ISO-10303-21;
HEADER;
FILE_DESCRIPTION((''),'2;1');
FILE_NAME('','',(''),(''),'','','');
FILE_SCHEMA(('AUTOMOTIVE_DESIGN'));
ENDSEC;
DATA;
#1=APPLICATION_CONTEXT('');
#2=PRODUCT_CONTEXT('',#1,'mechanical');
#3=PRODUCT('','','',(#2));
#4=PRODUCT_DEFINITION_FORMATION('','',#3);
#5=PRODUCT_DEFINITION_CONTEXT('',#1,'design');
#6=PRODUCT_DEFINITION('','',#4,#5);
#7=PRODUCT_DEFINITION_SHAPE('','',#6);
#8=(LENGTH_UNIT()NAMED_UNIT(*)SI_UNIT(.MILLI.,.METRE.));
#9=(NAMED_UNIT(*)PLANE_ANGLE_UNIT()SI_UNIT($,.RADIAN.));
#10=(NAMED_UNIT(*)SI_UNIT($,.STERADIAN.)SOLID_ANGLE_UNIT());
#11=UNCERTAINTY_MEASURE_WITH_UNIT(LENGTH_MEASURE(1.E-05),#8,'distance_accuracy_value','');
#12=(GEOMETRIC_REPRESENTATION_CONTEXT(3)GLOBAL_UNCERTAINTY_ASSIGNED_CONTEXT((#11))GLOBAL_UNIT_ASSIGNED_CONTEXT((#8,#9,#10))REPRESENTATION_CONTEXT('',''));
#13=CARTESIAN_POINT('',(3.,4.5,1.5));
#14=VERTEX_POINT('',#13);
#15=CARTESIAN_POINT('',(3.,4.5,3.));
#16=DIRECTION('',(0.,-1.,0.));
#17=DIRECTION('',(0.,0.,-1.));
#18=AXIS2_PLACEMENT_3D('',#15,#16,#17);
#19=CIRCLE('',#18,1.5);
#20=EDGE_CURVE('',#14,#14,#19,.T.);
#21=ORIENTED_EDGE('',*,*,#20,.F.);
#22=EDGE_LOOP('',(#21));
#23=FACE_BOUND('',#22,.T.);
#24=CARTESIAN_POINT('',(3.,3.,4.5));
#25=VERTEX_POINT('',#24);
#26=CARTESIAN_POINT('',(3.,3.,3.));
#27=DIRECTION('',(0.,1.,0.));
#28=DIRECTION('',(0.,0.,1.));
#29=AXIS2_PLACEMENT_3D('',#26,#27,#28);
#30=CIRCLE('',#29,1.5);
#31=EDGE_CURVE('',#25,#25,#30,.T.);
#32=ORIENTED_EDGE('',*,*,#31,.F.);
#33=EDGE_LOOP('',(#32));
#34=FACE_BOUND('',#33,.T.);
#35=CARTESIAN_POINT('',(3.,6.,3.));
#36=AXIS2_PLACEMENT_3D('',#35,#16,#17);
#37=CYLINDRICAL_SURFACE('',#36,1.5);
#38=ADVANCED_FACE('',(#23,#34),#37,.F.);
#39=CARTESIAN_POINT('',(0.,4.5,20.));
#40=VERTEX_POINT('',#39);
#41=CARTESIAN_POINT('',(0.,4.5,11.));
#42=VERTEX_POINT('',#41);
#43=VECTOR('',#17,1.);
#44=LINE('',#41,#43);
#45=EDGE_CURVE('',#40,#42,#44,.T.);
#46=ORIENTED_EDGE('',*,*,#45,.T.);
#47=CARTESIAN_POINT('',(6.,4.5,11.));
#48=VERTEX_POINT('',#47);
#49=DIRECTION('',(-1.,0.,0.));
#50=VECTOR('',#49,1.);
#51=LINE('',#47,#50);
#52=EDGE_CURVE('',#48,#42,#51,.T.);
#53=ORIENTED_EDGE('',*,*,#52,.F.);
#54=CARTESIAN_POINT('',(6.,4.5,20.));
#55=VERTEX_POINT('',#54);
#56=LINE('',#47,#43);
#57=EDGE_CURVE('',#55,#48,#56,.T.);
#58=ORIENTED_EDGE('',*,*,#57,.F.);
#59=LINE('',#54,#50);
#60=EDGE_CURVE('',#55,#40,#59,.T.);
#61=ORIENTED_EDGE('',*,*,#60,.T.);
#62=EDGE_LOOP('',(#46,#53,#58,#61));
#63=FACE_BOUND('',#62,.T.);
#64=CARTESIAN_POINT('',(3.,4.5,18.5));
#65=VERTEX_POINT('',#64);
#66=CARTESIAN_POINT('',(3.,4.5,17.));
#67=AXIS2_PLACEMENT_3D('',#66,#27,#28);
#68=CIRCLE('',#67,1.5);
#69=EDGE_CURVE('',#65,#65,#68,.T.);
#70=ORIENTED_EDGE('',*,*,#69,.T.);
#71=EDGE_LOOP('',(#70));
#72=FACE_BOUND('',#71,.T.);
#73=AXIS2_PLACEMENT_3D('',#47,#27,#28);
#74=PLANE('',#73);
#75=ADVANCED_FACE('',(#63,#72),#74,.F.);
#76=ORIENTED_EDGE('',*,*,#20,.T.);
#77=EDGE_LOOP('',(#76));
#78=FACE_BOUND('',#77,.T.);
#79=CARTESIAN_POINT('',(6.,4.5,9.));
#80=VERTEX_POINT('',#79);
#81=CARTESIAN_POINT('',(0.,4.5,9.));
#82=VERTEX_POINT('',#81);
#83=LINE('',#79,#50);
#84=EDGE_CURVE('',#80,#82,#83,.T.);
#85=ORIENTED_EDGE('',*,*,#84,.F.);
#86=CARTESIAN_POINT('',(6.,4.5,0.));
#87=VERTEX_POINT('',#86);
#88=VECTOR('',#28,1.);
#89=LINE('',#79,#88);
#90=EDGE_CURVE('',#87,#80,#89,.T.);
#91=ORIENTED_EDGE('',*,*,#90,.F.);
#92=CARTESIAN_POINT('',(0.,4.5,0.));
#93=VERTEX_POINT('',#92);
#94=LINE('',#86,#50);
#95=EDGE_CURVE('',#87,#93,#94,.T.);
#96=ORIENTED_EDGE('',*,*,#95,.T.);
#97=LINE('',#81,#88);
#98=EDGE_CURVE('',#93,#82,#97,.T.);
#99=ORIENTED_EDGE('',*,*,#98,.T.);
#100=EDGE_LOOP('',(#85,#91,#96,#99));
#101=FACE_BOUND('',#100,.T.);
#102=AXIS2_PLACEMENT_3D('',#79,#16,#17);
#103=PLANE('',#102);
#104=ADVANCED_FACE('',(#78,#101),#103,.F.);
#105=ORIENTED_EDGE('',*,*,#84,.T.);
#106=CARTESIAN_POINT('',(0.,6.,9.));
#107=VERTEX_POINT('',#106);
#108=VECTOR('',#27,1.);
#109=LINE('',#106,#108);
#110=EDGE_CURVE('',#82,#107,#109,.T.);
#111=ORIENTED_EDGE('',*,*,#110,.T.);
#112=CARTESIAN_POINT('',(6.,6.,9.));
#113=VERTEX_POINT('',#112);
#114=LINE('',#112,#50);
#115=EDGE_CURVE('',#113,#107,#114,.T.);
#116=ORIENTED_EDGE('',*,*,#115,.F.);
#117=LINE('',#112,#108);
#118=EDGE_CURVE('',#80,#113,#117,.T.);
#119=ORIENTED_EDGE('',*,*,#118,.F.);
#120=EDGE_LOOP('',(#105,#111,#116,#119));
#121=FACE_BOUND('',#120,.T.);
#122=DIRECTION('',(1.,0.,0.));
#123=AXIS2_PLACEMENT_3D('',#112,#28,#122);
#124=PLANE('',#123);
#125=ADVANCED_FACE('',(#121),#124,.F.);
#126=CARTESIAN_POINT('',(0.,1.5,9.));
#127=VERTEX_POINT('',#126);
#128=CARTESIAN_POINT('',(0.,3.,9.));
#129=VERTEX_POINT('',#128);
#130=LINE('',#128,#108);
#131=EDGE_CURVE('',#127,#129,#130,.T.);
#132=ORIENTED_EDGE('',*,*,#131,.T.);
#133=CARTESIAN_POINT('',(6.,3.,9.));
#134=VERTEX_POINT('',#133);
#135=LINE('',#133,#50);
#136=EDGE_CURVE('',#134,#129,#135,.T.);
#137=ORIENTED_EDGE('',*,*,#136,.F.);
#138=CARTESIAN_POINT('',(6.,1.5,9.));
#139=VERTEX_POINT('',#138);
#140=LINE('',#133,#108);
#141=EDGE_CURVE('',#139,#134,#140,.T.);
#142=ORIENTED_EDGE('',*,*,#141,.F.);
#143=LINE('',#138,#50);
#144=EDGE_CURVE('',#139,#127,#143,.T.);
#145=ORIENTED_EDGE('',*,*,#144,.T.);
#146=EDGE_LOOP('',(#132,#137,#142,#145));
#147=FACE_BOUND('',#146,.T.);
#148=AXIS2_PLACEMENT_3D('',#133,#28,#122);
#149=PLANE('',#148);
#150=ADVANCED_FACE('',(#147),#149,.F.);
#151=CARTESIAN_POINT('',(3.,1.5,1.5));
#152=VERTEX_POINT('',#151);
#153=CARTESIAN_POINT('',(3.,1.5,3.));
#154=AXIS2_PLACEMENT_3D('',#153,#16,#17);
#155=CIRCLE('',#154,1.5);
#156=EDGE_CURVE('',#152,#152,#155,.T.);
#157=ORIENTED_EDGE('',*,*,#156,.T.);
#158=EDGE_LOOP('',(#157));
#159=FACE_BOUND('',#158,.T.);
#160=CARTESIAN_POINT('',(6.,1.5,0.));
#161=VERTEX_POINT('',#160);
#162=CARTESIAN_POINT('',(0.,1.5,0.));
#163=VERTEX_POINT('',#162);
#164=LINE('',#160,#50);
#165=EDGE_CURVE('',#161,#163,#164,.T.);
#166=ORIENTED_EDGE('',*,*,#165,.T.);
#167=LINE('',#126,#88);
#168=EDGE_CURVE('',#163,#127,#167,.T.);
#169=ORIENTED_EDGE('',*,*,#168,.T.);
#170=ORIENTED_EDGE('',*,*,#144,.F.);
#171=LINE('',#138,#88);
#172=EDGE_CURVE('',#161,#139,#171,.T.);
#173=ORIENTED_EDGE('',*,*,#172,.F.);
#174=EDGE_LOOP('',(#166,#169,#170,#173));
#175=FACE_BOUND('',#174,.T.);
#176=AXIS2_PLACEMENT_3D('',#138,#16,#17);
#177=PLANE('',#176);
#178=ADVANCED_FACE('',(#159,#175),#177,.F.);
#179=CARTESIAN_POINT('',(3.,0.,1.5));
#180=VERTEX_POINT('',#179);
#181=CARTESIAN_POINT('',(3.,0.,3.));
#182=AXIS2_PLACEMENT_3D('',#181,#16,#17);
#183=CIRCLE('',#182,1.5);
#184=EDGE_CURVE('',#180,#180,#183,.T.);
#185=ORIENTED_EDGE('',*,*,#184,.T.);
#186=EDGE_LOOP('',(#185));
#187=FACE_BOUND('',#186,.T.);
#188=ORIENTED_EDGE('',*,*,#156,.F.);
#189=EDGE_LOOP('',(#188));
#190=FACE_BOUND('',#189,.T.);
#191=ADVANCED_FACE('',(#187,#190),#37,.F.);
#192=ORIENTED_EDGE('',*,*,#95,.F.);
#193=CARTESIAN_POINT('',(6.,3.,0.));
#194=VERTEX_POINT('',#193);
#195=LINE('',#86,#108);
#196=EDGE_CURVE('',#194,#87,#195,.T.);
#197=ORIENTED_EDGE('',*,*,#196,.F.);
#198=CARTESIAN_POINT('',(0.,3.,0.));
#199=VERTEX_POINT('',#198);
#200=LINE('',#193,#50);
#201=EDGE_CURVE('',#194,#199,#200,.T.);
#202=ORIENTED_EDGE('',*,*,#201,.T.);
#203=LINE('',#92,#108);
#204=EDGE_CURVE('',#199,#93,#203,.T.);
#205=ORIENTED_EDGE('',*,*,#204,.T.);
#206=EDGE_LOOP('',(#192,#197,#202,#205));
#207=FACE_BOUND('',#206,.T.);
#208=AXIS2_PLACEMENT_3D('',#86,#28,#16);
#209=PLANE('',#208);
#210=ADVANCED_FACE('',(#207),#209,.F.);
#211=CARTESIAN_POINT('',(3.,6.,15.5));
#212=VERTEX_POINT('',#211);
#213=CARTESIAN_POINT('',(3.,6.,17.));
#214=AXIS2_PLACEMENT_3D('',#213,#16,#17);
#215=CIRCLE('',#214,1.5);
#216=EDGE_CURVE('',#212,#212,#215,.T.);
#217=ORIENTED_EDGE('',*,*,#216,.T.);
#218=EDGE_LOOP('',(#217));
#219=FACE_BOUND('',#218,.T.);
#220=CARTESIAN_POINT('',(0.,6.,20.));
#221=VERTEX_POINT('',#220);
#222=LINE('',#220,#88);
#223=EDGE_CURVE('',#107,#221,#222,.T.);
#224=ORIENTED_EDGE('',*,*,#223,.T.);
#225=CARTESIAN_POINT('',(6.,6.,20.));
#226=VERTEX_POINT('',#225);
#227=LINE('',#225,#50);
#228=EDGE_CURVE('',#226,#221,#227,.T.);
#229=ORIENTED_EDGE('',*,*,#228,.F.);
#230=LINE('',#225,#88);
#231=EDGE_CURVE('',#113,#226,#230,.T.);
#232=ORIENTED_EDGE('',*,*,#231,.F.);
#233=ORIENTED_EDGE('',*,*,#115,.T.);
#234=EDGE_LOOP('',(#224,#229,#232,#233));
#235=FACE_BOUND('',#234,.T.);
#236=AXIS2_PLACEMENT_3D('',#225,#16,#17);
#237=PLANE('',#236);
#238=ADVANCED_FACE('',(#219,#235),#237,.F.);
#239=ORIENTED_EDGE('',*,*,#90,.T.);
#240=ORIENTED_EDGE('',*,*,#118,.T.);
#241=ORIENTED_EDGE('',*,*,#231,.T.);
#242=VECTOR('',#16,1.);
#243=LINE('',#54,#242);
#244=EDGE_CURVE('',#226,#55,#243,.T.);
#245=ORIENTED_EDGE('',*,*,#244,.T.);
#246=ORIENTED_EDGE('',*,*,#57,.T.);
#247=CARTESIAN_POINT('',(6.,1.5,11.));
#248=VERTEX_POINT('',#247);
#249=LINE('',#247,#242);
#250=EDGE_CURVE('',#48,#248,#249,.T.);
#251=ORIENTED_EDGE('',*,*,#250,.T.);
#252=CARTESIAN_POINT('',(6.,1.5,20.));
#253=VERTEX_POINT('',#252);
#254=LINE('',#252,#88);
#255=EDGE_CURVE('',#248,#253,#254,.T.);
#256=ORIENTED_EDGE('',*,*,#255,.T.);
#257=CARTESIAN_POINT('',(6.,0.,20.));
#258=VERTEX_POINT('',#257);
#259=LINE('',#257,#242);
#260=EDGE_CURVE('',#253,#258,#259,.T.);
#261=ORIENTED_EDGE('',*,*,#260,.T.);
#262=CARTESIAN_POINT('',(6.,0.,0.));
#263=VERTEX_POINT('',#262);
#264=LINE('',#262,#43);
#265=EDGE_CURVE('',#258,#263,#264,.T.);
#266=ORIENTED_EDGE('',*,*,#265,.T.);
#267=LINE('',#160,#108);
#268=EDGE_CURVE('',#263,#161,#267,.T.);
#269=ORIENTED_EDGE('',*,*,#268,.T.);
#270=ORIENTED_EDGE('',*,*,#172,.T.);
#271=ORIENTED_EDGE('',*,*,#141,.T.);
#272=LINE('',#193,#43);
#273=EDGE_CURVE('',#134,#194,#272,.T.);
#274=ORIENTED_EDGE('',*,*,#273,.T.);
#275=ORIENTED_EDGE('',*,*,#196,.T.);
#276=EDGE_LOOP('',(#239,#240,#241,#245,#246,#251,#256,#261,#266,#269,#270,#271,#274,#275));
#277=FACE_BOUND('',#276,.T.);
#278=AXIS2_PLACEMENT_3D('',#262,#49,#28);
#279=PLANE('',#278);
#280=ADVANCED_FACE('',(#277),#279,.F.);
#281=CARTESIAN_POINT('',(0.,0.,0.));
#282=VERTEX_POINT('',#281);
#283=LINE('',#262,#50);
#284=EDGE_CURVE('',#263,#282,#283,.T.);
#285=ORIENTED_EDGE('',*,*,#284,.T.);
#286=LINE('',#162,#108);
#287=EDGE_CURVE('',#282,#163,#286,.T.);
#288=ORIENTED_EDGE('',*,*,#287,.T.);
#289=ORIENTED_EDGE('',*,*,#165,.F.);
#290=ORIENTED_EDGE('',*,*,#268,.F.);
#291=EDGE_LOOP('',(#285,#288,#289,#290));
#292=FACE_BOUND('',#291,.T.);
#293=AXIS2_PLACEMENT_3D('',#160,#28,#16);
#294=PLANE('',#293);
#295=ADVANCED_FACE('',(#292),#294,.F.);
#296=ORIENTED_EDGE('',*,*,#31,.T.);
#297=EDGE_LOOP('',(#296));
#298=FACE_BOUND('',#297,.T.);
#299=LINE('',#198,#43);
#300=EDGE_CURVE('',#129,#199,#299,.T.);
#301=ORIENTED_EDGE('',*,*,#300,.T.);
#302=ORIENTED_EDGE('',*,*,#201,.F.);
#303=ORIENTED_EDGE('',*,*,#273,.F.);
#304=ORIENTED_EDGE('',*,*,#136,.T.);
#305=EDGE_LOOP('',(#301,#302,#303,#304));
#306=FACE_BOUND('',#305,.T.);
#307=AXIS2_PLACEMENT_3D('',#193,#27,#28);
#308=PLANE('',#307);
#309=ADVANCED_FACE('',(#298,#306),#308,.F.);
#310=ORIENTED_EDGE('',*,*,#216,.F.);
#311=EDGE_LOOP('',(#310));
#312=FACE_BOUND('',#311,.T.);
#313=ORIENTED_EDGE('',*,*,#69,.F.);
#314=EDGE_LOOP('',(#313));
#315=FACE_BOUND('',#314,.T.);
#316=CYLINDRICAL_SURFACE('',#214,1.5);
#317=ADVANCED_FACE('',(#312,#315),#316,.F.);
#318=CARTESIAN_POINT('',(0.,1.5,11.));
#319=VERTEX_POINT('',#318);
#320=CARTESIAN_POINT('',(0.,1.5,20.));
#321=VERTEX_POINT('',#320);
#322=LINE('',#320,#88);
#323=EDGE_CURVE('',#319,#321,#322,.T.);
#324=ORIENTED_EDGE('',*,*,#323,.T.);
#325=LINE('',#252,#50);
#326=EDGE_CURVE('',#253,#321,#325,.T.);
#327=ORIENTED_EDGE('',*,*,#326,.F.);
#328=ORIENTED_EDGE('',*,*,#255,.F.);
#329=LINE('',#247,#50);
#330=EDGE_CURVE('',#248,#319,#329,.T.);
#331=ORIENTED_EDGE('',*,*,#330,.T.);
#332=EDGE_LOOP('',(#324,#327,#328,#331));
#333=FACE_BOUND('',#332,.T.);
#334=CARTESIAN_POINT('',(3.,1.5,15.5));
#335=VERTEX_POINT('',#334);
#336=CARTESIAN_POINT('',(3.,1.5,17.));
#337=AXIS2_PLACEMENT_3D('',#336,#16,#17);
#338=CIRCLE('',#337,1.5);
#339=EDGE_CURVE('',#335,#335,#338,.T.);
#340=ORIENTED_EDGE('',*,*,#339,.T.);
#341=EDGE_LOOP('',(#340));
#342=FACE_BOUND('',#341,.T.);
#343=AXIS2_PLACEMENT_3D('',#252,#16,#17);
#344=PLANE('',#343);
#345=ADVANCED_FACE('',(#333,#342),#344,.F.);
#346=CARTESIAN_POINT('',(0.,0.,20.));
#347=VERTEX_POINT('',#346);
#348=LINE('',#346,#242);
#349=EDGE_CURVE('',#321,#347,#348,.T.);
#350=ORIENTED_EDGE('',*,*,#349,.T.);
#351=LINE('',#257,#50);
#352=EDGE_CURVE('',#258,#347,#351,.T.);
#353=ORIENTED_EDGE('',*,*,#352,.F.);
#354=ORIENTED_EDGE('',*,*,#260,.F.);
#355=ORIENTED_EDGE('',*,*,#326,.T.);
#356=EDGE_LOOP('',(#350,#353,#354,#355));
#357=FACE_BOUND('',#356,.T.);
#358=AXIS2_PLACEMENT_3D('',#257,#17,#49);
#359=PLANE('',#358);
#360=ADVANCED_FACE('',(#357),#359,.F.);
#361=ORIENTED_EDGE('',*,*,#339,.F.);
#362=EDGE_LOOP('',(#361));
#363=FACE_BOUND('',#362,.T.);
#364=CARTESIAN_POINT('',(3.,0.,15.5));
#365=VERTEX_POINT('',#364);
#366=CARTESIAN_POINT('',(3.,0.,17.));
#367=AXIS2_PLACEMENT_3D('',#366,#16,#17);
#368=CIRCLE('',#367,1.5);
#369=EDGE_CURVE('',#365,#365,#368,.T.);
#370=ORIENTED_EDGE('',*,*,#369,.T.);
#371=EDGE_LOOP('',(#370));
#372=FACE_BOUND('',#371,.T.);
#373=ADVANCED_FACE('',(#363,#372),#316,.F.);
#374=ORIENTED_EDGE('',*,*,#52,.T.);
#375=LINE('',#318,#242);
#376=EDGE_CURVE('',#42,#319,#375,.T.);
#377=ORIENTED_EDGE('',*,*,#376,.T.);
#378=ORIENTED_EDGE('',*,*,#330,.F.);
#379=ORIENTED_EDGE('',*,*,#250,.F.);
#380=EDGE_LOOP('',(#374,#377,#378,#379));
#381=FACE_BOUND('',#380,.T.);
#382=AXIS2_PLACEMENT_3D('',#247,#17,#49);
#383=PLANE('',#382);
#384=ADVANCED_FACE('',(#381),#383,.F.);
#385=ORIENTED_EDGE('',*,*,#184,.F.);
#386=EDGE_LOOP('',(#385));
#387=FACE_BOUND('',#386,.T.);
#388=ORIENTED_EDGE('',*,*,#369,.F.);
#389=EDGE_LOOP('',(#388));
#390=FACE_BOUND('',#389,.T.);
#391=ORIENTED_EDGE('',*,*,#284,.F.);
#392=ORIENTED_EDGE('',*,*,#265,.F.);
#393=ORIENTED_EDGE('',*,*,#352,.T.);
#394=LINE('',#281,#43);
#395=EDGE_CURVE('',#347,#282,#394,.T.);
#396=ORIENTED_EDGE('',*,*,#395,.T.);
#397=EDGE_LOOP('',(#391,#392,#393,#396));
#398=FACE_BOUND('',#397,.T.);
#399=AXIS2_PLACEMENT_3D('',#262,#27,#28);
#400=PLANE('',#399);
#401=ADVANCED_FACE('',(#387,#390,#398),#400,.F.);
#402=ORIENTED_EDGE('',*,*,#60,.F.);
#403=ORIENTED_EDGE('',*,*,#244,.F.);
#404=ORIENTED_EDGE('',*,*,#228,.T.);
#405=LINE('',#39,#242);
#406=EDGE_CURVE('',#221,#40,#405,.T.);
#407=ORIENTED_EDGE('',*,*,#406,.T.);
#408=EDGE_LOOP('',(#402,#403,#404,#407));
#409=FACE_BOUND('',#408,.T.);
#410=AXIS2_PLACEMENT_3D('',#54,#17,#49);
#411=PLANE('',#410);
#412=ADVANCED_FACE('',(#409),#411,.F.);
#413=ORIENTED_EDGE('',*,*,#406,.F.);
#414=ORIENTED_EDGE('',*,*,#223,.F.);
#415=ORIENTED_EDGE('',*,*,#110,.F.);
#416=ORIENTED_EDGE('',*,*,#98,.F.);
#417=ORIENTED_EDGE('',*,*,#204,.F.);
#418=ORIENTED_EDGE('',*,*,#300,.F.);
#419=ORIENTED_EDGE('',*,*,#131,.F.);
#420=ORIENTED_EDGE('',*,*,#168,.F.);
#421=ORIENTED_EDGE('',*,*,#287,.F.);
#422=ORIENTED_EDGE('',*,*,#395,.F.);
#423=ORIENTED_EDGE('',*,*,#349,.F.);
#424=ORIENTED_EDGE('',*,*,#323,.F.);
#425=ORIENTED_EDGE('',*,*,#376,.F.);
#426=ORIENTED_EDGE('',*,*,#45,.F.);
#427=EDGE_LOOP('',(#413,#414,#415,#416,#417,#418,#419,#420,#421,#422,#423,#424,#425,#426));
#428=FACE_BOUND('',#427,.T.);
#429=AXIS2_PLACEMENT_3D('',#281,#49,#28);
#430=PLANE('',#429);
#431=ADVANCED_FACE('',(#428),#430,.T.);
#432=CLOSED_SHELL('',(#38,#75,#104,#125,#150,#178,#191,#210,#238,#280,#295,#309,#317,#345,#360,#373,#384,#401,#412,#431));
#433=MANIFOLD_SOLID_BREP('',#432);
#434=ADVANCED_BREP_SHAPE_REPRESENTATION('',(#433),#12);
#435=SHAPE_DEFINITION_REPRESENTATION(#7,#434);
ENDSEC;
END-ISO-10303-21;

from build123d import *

# Parameters (mm, degrees)
BOSS_EXTRUDE1_DEPTH = 6
SKETCH2_R           = 1.5
CUT_EXTRUDE1_DEPTH  = 6


with BuildPart() as part:
    # Sketch1 → Boss-Extrude1 (new body)
    with BuildSketch(Plane(origin=(0, 0, 0), x_dir=(0, 0, -1), z_dir=(1, 0, 0))):
        Polygon((0, 0), (-20, 0), (-20, 1.5), (-11, 1.5), (-11, 4.5), (-20, 4.5), (-20, 6), (-9, 6), (-9, 4.5), (0, 4.5), (0, 3), (-9, 3), (-9, 1.5), (0, 1.5), align=None)
    extrude(amount=BOSS_EXTRUDE1_DEPTH)

    # Sketch2 → Cut-Extrude1 (cut)
    with BuildSketch(Plane.XZ):
        with Locations((3, 3)):
            Circle(SKETCH2_R)
        with Locations((3, 17)):
            Circle(SKETCH2_R)
    extrude(amount=-CUT_EXTRUDE1_DEPTH, mode=Mode.SUBTRACT)


solid = part.part
